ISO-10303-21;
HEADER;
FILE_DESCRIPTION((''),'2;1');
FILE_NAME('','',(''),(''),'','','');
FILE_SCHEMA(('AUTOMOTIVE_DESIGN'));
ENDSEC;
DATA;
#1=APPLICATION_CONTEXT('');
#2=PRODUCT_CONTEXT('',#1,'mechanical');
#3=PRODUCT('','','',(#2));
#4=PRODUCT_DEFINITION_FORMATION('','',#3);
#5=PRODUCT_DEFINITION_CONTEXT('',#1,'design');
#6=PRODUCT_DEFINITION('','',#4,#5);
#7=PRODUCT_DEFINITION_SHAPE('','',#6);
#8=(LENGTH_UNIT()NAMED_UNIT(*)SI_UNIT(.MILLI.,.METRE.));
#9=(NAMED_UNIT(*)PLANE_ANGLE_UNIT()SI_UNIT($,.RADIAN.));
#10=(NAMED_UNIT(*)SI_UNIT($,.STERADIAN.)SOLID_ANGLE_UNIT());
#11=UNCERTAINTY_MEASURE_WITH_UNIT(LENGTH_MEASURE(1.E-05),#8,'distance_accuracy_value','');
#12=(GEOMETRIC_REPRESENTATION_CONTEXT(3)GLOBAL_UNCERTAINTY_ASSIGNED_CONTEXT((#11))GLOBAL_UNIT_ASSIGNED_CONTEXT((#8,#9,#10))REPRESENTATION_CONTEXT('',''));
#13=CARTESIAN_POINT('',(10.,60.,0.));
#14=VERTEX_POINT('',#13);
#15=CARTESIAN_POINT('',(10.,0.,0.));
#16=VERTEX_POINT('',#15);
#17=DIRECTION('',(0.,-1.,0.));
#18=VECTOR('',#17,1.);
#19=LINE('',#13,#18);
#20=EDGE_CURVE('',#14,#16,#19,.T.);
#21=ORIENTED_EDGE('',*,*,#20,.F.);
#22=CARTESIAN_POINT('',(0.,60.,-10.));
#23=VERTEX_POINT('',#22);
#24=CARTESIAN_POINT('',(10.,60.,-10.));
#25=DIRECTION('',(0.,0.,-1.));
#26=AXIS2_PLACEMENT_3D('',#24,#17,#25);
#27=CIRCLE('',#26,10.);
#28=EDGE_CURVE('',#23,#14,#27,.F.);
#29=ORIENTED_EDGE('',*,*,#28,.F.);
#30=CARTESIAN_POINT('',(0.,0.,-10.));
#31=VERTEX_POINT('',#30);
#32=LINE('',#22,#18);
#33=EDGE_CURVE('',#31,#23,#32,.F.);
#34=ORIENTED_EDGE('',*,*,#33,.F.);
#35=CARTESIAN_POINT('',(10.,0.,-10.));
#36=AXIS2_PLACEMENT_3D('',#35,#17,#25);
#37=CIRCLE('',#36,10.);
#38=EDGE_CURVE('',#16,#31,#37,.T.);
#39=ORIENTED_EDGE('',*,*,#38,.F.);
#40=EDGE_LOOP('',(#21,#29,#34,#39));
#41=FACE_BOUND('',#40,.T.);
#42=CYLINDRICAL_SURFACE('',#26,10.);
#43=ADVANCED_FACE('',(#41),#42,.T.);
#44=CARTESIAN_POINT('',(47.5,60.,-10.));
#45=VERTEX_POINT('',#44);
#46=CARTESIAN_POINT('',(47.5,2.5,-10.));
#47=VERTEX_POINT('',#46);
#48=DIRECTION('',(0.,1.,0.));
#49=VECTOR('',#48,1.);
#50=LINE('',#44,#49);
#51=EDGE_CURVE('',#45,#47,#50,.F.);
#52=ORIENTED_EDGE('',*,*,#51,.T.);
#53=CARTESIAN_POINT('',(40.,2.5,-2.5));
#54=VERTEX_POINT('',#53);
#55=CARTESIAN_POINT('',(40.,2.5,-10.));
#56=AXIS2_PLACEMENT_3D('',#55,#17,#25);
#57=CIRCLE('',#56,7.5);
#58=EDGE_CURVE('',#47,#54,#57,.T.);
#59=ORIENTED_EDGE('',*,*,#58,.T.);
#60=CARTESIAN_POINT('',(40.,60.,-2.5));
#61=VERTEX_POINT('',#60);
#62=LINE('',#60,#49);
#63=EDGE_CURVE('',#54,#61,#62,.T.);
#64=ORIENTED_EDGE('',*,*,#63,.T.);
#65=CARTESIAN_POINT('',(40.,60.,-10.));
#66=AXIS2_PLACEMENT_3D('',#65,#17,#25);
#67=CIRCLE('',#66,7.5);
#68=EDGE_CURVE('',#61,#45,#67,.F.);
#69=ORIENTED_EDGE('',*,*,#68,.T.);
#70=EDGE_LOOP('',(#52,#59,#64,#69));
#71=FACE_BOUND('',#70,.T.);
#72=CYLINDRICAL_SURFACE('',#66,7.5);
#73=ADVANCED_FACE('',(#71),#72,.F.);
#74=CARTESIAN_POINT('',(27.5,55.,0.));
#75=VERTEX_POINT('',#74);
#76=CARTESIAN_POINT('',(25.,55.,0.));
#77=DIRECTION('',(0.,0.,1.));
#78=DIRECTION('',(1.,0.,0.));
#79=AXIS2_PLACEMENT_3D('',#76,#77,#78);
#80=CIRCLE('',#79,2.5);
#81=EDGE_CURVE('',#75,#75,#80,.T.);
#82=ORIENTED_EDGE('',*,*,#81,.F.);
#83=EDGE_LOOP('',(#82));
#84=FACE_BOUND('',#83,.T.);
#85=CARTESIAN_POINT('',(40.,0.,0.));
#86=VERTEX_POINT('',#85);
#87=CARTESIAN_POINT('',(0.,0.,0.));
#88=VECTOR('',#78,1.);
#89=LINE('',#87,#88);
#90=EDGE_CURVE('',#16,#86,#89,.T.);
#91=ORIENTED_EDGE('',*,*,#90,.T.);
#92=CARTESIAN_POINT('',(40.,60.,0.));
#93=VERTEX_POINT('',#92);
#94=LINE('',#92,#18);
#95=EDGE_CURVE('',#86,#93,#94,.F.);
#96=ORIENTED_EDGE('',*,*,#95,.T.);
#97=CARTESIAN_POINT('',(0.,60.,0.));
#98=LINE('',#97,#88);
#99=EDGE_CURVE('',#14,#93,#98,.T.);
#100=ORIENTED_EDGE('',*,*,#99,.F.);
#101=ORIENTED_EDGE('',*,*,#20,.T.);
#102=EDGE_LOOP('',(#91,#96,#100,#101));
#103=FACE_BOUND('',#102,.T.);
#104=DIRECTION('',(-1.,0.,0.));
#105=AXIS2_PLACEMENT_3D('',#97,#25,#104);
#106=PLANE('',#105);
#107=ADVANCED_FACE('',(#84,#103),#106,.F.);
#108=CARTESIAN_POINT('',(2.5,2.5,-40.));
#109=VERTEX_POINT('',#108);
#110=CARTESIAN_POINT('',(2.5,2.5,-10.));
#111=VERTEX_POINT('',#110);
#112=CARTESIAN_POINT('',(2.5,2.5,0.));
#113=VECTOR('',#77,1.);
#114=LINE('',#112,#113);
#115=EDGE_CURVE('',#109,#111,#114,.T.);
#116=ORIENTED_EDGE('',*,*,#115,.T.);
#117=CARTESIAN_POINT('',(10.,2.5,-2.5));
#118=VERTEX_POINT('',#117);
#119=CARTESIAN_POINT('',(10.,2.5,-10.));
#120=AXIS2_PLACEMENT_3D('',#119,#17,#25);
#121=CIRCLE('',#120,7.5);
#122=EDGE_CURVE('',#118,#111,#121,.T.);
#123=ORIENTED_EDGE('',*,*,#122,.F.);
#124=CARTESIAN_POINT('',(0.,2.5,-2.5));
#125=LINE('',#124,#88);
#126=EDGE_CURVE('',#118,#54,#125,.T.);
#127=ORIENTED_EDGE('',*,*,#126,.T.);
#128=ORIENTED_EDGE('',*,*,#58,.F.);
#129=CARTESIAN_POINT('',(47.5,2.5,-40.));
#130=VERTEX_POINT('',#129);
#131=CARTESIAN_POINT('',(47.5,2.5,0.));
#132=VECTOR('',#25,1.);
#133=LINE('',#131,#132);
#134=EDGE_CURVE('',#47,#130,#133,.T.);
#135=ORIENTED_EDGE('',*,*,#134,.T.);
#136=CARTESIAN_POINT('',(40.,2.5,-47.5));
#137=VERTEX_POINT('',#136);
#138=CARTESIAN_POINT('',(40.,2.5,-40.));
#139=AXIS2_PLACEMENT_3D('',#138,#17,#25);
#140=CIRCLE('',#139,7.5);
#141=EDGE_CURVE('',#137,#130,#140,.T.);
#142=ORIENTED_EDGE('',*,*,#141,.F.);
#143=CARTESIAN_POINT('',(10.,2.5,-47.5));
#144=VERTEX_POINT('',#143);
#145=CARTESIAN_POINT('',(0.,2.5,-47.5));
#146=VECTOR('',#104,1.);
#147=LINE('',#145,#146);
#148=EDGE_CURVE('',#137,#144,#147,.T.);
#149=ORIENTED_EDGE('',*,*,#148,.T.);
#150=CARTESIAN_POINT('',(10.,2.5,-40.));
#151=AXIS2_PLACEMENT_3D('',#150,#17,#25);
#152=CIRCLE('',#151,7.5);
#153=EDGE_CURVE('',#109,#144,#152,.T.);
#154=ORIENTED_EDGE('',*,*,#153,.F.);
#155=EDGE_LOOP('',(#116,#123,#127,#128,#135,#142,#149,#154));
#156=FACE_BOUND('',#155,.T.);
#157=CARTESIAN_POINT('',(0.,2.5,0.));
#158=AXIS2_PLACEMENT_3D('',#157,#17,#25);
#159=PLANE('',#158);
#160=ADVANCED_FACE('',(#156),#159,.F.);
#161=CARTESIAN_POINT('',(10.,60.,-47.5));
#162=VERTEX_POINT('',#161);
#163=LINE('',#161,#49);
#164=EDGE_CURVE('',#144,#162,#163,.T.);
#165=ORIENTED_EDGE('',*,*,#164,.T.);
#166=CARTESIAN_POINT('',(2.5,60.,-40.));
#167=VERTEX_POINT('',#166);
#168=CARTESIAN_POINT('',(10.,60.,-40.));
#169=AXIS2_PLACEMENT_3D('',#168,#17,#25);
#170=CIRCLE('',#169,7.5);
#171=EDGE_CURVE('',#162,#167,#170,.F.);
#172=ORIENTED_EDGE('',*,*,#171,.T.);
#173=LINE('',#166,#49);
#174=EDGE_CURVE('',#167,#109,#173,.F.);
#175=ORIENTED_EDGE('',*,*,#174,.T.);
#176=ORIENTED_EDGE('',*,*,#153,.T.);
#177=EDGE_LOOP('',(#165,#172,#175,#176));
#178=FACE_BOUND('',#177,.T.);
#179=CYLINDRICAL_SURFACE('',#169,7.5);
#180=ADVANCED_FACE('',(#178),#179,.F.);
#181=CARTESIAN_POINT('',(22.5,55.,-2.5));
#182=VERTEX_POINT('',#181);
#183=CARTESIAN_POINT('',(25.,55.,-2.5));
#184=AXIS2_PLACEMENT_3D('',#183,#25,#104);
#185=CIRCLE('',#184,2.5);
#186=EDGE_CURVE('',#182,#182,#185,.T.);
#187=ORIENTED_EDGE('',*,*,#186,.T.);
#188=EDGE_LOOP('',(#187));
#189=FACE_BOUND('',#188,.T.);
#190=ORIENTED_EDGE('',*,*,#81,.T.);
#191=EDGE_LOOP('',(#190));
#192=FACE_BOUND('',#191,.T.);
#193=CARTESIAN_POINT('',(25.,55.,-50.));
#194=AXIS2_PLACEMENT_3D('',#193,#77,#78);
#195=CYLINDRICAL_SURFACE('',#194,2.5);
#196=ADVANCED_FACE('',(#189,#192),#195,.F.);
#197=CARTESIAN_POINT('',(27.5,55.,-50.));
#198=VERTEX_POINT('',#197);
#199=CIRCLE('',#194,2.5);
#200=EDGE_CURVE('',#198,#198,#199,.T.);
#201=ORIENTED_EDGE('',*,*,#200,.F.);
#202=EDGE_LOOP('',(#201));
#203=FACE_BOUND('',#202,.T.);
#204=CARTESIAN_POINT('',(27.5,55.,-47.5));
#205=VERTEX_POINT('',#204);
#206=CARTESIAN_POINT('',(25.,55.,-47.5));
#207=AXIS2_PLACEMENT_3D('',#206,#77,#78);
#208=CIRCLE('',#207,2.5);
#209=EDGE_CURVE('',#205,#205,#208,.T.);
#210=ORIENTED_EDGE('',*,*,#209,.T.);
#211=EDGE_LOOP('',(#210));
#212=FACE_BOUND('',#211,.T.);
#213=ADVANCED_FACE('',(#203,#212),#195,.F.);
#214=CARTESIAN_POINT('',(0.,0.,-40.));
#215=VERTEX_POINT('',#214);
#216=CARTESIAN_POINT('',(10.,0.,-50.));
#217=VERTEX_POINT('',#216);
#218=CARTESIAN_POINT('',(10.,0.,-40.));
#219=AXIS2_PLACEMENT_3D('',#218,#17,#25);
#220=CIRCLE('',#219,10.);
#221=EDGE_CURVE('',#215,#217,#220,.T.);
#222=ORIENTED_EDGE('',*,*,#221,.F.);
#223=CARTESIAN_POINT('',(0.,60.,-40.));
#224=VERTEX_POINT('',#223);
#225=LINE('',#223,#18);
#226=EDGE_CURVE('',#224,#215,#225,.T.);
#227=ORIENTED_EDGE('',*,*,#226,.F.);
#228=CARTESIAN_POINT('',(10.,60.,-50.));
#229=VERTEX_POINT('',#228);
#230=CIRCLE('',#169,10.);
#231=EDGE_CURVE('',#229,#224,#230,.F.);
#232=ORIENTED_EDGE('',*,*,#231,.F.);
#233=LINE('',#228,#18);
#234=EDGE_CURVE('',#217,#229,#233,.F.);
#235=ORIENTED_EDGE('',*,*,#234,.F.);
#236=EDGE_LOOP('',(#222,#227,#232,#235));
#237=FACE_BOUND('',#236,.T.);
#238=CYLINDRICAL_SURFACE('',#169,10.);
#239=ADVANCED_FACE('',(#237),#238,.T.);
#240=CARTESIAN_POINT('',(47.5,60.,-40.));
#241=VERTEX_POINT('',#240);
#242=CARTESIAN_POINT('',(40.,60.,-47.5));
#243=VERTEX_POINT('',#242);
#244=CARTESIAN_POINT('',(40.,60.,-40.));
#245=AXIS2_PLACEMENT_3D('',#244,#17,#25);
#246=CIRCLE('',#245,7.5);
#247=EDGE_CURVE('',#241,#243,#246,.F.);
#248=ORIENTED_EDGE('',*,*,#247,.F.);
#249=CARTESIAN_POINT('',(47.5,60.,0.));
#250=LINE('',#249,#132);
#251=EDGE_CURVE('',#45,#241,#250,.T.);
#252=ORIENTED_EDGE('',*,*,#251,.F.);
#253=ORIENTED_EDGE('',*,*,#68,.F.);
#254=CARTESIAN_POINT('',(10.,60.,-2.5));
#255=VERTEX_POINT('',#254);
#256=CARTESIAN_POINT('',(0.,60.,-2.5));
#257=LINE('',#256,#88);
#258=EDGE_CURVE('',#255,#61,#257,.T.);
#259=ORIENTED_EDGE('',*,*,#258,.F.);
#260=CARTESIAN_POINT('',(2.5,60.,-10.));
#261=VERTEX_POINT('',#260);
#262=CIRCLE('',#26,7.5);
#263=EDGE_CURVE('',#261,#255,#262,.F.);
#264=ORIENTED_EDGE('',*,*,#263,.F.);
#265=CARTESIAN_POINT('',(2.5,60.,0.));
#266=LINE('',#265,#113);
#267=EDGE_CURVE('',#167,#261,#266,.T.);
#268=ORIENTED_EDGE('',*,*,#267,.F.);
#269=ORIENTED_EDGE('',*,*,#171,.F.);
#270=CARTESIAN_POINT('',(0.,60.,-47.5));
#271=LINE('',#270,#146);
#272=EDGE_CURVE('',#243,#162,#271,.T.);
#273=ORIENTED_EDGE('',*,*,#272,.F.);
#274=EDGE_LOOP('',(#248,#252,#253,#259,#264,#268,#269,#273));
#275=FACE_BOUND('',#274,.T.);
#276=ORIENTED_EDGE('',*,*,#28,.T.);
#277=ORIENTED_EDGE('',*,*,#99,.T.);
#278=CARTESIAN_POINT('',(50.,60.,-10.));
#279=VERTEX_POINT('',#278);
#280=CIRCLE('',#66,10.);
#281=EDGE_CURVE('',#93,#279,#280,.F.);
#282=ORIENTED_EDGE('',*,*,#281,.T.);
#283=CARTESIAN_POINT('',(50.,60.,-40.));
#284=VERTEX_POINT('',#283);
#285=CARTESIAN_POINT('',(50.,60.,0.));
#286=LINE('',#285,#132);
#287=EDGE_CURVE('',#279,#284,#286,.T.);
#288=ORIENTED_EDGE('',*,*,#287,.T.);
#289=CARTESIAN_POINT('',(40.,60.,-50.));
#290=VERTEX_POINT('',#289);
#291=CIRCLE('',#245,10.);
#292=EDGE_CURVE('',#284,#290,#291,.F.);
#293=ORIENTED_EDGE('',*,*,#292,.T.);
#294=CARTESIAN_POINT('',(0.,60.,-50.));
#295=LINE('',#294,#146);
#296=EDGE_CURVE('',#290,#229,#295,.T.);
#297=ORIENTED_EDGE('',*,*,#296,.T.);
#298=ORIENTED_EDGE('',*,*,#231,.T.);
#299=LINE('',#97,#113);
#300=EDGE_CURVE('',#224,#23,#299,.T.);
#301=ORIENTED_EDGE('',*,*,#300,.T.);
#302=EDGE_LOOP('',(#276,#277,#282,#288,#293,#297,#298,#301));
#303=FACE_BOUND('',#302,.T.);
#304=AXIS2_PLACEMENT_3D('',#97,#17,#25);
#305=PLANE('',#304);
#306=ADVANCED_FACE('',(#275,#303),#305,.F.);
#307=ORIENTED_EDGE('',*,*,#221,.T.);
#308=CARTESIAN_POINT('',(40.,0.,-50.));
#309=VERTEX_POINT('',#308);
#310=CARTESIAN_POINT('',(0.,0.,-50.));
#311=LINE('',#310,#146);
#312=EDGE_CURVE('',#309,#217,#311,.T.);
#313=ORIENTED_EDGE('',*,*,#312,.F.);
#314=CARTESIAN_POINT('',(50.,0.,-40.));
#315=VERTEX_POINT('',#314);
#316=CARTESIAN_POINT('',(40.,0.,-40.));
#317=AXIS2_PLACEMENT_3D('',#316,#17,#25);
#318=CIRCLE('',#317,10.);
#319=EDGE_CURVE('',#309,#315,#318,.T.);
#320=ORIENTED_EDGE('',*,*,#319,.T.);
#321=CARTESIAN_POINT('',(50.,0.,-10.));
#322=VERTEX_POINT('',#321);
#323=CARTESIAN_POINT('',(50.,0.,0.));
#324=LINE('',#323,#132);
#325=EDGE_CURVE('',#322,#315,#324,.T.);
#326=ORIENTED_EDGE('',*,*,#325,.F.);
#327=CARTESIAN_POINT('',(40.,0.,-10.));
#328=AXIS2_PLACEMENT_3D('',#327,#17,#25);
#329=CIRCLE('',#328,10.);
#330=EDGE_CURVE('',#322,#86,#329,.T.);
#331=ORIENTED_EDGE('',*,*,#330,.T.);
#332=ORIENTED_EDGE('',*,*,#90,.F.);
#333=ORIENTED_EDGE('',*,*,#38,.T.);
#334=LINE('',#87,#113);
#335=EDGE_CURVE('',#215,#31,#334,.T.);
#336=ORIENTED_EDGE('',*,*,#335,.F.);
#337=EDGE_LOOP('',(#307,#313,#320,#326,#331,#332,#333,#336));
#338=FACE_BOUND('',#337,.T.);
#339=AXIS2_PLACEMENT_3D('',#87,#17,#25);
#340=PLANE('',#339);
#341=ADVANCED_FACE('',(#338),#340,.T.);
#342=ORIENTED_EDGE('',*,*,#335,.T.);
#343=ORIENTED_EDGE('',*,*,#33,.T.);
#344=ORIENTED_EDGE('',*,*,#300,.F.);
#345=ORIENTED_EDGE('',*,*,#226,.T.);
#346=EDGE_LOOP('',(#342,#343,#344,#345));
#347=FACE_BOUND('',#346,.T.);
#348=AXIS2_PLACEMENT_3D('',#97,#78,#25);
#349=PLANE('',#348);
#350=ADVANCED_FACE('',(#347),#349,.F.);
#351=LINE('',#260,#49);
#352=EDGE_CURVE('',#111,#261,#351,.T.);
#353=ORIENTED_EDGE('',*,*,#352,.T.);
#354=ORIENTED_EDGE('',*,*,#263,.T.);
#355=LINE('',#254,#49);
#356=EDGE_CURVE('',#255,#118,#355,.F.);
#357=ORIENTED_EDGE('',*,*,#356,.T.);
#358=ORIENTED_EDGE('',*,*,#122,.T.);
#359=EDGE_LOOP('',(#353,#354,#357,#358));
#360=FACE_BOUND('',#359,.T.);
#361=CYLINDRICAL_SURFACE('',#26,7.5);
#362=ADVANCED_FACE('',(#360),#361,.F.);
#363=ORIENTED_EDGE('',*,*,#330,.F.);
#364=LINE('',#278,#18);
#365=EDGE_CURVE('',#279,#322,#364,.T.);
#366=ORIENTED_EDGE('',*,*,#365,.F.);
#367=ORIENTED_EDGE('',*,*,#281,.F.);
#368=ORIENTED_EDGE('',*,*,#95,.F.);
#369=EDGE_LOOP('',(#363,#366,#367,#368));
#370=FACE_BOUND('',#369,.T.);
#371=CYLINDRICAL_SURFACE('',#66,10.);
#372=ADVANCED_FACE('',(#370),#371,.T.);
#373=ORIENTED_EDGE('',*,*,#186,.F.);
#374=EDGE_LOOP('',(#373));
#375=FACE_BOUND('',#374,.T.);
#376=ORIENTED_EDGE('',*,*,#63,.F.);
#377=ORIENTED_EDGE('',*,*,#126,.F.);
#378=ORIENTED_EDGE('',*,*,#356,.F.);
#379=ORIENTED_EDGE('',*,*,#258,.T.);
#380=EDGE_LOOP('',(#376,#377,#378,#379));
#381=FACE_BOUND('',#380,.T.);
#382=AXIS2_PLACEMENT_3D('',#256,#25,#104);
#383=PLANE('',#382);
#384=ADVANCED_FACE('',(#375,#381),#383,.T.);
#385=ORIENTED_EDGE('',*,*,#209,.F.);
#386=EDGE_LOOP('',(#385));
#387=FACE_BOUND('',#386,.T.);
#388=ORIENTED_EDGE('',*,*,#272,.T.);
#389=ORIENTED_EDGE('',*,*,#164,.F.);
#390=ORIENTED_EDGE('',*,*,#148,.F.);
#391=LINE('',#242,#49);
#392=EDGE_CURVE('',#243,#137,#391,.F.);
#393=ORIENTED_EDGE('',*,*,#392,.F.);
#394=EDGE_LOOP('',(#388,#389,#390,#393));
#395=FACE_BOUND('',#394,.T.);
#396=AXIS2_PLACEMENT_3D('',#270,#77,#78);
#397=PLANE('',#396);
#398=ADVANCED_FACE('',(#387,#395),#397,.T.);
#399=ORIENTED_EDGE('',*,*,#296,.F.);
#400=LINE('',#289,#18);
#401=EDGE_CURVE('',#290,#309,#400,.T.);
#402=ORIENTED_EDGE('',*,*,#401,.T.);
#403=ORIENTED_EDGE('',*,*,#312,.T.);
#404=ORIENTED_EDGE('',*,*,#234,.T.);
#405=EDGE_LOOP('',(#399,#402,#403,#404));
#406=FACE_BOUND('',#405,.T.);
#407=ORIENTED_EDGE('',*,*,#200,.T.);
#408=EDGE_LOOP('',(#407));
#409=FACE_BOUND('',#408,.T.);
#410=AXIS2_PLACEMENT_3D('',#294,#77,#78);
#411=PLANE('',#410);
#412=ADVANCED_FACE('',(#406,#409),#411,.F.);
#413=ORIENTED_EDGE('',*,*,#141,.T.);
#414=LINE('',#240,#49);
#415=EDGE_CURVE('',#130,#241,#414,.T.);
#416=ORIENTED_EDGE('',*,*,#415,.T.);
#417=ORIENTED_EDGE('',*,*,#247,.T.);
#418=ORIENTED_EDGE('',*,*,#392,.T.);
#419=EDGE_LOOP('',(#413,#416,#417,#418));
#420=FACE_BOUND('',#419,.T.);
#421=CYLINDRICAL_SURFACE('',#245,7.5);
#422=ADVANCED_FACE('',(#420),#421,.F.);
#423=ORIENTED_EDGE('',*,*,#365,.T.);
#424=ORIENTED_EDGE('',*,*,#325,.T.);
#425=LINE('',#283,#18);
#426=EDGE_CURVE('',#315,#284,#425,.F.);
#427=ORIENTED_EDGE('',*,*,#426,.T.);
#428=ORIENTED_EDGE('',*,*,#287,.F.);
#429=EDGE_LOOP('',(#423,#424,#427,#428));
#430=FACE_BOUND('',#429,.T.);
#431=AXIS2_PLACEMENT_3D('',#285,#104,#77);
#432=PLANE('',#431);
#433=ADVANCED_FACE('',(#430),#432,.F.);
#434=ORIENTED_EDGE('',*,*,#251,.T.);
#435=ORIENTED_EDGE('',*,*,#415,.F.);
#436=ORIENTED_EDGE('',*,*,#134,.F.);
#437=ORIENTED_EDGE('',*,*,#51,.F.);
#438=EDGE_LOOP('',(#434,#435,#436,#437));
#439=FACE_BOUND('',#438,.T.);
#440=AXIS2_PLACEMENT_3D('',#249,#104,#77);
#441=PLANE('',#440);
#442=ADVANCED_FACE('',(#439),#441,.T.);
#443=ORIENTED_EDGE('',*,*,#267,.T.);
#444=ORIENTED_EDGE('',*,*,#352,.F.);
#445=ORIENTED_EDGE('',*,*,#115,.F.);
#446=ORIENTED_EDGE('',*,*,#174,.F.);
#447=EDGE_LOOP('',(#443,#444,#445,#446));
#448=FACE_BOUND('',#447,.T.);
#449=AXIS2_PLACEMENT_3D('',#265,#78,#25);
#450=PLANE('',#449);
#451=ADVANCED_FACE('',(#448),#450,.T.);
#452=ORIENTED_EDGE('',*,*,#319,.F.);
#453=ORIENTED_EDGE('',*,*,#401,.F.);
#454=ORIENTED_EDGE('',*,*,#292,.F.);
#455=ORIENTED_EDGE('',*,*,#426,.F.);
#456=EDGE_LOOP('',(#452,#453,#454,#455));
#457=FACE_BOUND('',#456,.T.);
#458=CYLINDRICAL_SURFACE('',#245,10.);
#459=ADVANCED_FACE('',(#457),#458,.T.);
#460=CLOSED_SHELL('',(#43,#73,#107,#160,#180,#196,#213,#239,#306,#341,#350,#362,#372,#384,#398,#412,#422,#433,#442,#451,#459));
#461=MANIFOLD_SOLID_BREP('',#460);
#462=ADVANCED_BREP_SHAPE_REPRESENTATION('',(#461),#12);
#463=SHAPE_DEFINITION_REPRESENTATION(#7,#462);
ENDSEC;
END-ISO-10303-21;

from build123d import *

# Parameters (mm, degrees)
SKETCH1_W           = 50
SKETCH1_H           = 50
BOSS_EXTRUDE1_DEPTH = 60
FILLET1_R           = 10
SHELL1_T            = -2.5
SKETCH2_R           = 2.5
CUT_EXTRUDE1_DEPTH  = 93.736184955


with BuildPart() as part:
    # Sketch1 → Boss-Extrude1 (new body)
    with BuildSketch(Plane(origin=(0, 0, 0), x_dir=(1, 0, 0), z_dir=(0, 1, 0))):
        with Locations((25, 25)):
            Rectangle(SKETCH1_W, SKETCH1_H)
    extrude(amount=BOSS_EXTRUDE1_DEPTH)

    # Fillet1
    fillet1_edges = [part.edges().sort_by_distance(p)[0] for p in [
        (0, 30, -50),
        (50, 30, -50),
        (50, 30, 0),
        (0, 30, 0),
    ]]
    fillet(fillet1_edges, radius=FILLET1_R)

    # Shell1
    shell1_openings = [part.faces().sort_by_distance(p)[0] for p in [
        (25, 60, -25),
    ]]
    offset(amount=SHELL1_T, openings=shell1_openings, kind=Kind.INTERSECTION)

    # Sketch2 → Cut-Extrude1 (cut, through all)
    with BuildSketch(Plane.XY):
        with Locations((25, 55)):
            Circle(SKETCH2_R)
    extrude(amount=-CUT_EXTRUDE1_DEPTH, mode=Mode.SUBTRACT)


solid = part.part
